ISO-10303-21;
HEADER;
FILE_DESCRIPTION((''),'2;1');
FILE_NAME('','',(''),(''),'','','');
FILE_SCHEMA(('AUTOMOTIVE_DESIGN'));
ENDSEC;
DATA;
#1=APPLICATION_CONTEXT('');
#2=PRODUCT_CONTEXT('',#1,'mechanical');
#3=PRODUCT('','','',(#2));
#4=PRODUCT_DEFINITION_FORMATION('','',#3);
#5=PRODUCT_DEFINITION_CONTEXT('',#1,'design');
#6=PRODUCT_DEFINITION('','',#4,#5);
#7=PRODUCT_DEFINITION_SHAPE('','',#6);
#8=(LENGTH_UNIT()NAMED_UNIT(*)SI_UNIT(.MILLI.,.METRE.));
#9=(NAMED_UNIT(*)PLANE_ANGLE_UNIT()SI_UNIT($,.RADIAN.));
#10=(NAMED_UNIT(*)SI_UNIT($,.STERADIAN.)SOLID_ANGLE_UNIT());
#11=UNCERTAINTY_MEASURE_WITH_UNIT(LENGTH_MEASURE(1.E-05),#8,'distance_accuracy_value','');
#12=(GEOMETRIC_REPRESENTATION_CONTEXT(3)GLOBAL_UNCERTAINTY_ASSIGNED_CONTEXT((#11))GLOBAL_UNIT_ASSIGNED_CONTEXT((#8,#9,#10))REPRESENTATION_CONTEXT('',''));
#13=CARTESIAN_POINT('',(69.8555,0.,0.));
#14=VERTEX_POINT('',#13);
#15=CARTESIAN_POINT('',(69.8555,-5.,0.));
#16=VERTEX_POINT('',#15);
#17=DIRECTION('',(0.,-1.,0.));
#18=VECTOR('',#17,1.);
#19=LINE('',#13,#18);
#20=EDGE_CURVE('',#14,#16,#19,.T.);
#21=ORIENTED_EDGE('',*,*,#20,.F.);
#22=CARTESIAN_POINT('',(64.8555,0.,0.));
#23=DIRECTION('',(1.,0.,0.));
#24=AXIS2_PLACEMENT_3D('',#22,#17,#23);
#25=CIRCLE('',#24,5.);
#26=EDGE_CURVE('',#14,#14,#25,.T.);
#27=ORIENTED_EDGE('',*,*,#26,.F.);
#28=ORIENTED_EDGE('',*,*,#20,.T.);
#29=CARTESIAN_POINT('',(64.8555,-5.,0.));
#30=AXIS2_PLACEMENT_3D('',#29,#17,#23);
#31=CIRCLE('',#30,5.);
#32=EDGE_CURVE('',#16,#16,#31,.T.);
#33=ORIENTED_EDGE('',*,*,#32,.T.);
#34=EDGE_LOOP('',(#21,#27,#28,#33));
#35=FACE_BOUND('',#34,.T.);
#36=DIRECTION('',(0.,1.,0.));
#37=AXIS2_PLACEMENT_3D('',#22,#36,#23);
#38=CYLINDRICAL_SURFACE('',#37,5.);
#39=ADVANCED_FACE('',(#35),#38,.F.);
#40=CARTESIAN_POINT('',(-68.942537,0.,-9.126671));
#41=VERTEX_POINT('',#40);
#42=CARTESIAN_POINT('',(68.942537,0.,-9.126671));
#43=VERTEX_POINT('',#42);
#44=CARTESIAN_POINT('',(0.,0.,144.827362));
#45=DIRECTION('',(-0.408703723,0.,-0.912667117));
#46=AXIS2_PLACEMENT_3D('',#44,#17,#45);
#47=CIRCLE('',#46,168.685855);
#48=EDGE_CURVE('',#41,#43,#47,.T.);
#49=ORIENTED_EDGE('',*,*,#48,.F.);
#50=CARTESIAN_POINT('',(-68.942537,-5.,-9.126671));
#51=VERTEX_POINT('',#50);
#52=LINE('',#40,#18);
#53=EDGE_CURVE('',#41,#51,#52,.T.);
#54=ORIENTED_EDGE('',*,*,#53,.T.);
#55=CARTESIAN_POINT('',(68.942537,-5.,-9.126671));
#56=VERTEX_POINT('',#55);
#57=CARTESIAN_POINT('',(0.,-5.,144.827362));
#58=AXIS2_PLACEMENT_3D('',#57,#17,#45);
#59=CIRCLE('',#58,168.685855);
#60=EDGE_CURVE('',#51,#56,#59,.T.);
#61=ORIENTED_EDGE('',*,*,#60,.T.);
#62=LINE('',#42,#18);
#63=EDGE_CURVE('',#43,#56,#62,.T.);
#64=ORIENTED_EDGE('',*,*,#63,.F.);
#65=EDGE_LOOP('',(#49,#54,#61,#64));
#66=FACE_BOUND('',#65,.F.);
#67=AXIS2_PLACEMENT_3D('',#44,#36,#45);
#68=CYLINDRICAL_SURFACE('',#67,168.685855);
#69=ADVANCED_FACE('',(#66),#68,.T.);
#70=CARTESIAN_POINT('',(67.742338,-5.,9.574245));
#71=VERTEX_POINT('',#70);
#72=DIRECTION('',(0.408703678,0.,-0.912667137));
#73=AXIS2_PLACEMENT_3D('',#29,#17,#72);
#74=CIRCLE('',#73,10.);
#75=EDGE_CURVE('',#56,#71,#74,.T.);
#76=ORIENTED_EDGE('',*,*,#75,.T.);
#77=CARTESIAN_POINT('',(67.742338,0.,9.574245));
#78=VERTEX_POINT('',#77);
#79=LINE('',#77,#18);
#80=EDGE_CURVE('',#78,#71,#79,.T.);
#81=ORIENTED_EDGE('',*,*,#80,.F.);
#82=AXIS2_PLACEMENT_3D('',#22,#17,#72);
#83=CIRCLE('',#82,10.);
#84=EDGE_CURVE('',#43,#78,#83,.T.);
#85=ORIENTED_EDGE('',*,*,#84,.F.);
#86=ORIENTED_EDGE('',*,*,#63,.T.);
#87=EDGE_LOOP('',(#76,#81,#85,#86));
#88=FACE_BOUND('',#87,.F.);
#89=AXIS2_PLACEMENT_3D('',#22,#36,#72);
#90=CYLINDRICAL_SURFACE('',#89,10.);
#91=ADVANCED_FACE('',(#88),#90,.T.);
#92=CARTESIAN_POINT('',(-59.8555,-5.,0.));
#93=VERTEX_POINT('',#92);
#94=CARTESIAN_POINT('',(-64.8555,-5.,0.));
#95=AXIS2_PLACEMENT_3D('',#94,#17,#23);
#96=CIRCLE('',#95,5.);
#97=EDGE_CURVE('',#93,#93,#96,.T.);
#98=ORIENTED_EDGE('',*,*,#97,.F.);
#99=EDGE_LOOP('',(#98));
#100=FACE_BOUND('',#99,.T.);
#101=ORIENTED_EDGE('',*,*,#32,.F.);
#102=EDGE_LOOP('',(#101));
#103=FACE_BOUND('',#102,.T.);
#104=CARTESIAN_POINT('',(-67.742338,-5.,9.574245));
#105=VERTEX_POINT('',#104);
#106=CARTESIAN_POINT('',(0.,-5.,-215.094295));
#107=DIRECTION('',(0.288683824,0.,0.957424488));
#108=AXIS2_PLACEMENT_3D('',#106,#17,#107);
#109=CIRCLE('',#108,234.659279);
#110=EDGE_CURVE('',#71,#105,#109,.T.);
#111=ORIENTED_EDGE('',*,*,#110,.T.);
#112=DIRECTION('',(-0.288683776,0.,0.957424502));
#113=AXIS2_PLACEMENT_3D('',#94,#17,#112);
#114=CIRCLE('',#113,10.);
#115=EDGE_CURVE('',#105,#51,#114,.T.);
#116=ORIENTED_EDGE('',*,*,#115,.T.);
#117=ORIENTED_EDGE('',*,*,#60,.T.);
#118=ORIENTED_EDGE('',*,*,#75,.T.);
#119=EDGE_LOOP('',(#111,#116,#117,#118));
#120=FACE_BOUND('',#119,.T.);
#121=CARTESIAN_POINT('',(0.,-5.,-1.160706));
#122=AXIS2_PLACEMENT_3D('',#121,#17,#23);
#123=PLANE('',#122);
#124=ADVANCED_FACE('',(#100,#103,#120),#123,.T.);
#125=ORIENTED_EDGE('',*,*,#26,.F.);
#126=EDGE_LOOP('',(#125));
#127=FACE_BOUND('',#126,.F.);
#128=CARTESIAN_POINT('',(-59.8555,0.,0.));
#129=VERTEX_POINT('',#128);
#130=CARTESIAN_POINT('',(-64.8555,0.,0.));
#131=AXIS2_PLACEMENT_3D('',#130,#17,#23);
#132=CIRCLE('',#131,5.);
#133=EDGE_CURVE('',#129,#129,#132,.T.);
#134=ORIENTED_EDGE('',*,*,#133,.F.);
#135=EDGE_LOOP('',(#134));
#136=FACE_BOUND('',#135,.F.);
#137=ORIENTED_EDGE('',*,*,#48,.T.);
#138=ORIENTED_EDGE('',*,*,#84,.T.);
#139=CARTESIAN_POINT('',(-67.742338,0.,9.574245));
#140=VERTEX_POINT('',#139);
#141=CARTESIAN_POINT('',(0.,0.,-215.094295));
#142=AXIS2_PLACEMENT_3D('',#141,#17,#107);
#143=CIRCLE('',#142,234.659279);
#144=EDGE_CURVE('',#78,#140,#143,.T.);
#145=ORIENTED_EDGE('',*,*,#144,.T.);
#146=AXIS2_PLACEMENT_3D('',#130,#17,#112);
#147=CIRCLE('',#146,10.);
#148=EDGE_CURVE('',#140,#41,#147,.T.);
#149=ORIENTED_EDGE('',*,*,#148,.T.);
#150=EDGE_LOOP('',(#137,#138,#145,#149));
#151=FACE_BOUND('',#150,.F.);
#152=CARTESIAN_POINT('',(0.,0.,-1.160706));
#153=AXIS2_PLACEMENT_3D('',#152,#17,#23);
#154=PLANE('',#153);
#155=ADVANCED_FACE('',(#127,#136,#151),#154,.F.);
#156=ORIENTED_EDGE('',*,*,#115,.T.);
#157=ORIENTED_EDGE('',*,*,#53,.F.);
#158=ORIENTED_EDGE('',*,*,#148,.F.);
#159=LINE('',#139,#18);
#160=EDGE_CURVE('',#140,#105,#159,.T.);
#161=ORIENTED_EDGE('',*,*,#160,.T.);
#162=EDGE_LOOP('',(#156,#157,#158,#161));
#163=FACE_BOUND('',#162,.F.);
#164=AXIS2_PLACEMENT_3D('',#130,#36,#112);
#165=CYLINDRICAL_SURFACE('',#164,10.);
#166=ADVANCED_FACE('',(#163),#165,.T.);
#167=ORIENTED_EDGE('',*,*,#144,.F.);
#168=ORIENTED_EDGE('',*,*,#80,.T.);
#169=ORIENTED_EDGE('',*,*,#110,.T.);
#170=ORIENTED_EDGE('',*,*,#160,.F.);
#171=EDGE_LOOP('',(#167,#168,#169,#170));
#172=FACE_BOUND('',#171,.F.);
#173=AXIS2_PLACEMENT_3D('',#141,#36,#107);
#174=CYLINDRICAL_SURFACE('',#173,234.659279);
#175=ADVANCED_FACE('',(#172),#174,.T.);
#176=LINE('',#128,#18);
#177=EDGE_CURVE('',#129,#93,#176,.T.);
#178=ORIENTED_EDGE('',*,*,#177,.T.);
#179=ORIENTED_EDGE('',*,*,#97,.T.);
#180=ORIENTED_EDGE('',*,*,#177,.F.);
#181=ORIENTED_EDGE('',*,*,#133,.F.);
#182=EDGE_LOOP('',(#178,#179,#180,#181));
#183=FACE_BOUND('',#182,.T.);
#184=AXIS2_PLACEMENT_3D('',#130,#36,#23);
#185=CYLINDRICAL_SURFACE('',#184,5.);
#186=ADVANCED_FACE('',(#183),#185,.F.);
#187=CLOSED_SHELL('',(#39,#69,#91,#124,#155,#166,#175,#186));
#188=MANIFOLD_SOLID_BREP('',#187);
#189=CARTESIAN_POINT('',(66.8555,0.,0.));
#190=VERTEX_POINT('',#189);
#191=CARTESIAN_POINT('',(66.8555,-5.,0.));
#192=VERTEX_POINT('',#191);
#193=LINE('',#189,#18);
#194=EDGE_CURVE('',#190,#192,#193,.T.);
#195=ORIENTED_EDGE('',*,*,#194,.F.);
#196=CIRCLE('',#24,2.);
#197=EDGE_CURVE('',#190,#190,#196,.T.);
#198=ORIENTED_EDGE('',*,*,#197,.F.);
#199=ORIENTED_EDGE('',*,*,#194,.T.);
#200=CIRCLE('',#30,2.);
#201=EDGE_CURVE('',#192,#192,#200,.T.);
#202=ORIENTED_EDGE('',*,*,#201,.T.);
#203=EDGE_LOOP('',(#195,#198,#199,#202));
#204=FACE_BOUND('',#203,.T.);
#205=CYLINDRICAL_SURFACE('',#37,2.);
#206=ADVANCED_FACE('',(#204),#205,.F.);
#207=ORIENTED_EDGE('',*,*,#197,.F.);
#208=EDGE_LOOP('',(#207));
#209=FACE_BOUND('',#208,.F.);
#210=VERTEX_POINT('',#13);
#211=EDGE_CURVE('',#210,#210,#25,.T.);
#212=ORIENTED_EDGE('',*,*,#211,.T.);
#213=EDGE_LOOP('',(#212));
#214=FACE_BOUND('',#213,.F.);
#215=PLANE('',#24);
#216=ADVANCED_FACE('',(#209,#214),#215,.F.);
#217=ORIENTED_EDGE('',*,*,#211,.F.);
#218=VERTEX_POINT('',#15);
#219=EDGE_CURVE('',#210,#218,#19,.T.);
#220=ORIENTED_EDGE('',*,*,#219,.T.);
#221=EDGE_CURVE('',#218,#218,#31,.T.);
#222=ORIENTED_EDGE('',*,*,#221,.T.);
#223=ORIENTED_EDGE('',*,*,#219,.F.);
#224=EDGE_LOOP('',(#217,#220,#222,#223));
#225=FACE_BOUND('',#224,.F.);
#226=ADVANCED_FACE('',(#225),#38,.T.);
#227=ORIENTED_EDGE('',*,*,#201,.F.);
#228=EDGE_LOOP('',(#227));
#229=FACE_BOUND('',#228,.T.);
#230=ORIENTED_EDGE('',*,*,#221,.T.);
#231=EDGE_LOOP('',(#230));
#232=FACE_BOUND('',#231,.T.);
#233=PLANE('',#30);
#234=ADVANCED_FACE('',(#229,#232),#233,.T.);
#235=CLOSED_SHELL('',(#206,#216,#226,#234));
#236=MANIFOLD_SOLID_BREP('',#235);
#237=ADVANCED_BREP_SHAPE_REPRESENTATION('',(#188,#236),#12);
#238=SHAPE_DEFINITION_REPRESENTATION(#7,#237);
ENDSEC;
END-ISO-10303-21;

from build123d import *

# Parameters (mm, degrees)
F0_R     = 5
F0_R_2   = 2
F1_DEPTH = 5
F2_DEPTH = 5


with BuildPart() as f1:
    # F0 (on Front) → F1 (new body)
    with BuildSketch(Plane.XZ):
        with Locations((64.8555, 0)):
            Circle(F0_R)
        with Locations((64.8555, 0)):
            Circle(F0_R_2, mode=Mode.SUBTRACT)
    extrude(amount=F1_DEPTH)


with BuildPart() as f2:
    # F0 (on Front) → F2 (new body)
    with BuildSketch(Plane.XZ):
        with BuildLine():
            ThreePointArc((-67.742338, 9.574245), (-74.834969, 0.640469), (-68.942537, -9.126671))
            ThreePointArc((-68.942537, -9.126671), (0, -23.858493), (68.942537, -9.126671))
            ThreePointArc((68.942537, -9.126671), (74.834969, 0.640469), (67.742338, 9.574245))
            ThreePointArc((67.742338, 9.574245), (0, 19.564984), (-67.742338, 9.574245))
        make_face()
        with Locations((-64.8555, 0)):
            Circle(F0_R, mode=Mode.SUBTRACT)
        with Locations((64.8555, 0)):
            Circle(F0_R, mode=Mode.SUBTRACT)
    extrude(amount=F2_DEPTH)


solid = Compound([f1.part, f2.part])
